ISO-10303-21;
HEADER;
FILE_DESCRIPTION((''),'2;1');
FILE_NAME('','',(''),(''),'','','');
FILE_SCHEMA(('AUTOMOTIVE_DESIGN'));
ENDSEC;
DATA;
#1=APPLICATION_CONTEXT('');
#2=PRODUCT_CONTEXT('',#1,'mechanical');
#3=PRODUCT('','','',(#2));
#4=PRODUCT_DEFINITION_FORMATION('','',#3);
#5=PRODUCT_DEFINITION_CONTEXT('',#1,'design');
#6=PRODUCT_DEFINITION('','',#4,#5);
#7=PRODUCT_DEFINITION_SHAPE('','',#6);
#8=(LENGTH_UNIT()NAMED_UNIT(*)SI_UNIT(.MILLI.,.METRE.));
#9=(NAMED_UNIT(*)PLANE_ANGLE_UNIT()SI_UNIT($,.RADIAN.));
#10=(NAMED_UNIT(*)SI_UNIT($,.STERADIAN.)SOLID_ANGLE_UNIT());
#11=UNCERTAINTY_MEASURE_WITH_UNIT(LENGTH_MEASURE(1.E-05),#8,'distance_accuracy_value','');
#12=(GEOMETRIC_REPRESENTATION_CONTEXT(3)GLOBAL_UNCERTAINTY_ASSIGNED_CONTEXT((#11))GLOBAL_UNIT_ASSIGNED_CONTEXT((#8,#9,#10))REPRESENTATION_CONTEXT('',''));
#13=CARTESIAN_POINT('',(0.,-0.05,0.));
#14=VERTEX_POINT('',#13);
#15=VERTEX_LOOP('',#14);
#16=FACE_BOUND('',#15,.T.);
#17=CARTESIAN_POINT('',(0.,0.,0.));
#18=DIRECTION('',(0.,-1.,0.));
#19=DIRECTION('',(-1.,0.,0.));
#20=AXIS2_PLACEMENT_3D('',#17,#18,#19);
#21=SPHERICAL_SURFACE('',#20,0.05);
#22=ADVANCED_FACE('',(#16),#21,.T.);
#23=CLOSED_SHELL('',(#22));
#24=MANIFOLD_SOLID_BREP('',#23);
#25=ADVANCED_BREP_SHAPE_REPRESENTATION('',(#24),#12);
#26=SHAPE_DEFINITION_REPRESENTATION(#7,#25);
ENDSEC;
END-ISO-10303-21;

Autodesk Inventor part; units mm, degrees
ref_plane "YZ Plane" through (0, 0, 0) normal (1, 0, 0) x (0, 1, 0)
ref_plane "XZ Plane" through (0, 0, 0) normal (0, 1, 0) x (-1, 0, 0)
ref_plane "XY Plane" through (0, 0, 0) normal (0, 0, 1) x (1, 0, 0)
sketch "Skizze1" plane through (0, 0, 0) normal (0, 0, 1) x (1, 0, 0)
  arc A0 (0, 0.05) -> (0, -0.05) centre (0, 0) ccw
  line L0 (0, 0.05) -> (0, -0.05)
  dimension "d0" = 0.1
revolve "Umdrehung1" add sketch "Skizze1" angle 360 about axis through (0, 0.05, 0) along (0, -1, 0)
properties part number "dust"
